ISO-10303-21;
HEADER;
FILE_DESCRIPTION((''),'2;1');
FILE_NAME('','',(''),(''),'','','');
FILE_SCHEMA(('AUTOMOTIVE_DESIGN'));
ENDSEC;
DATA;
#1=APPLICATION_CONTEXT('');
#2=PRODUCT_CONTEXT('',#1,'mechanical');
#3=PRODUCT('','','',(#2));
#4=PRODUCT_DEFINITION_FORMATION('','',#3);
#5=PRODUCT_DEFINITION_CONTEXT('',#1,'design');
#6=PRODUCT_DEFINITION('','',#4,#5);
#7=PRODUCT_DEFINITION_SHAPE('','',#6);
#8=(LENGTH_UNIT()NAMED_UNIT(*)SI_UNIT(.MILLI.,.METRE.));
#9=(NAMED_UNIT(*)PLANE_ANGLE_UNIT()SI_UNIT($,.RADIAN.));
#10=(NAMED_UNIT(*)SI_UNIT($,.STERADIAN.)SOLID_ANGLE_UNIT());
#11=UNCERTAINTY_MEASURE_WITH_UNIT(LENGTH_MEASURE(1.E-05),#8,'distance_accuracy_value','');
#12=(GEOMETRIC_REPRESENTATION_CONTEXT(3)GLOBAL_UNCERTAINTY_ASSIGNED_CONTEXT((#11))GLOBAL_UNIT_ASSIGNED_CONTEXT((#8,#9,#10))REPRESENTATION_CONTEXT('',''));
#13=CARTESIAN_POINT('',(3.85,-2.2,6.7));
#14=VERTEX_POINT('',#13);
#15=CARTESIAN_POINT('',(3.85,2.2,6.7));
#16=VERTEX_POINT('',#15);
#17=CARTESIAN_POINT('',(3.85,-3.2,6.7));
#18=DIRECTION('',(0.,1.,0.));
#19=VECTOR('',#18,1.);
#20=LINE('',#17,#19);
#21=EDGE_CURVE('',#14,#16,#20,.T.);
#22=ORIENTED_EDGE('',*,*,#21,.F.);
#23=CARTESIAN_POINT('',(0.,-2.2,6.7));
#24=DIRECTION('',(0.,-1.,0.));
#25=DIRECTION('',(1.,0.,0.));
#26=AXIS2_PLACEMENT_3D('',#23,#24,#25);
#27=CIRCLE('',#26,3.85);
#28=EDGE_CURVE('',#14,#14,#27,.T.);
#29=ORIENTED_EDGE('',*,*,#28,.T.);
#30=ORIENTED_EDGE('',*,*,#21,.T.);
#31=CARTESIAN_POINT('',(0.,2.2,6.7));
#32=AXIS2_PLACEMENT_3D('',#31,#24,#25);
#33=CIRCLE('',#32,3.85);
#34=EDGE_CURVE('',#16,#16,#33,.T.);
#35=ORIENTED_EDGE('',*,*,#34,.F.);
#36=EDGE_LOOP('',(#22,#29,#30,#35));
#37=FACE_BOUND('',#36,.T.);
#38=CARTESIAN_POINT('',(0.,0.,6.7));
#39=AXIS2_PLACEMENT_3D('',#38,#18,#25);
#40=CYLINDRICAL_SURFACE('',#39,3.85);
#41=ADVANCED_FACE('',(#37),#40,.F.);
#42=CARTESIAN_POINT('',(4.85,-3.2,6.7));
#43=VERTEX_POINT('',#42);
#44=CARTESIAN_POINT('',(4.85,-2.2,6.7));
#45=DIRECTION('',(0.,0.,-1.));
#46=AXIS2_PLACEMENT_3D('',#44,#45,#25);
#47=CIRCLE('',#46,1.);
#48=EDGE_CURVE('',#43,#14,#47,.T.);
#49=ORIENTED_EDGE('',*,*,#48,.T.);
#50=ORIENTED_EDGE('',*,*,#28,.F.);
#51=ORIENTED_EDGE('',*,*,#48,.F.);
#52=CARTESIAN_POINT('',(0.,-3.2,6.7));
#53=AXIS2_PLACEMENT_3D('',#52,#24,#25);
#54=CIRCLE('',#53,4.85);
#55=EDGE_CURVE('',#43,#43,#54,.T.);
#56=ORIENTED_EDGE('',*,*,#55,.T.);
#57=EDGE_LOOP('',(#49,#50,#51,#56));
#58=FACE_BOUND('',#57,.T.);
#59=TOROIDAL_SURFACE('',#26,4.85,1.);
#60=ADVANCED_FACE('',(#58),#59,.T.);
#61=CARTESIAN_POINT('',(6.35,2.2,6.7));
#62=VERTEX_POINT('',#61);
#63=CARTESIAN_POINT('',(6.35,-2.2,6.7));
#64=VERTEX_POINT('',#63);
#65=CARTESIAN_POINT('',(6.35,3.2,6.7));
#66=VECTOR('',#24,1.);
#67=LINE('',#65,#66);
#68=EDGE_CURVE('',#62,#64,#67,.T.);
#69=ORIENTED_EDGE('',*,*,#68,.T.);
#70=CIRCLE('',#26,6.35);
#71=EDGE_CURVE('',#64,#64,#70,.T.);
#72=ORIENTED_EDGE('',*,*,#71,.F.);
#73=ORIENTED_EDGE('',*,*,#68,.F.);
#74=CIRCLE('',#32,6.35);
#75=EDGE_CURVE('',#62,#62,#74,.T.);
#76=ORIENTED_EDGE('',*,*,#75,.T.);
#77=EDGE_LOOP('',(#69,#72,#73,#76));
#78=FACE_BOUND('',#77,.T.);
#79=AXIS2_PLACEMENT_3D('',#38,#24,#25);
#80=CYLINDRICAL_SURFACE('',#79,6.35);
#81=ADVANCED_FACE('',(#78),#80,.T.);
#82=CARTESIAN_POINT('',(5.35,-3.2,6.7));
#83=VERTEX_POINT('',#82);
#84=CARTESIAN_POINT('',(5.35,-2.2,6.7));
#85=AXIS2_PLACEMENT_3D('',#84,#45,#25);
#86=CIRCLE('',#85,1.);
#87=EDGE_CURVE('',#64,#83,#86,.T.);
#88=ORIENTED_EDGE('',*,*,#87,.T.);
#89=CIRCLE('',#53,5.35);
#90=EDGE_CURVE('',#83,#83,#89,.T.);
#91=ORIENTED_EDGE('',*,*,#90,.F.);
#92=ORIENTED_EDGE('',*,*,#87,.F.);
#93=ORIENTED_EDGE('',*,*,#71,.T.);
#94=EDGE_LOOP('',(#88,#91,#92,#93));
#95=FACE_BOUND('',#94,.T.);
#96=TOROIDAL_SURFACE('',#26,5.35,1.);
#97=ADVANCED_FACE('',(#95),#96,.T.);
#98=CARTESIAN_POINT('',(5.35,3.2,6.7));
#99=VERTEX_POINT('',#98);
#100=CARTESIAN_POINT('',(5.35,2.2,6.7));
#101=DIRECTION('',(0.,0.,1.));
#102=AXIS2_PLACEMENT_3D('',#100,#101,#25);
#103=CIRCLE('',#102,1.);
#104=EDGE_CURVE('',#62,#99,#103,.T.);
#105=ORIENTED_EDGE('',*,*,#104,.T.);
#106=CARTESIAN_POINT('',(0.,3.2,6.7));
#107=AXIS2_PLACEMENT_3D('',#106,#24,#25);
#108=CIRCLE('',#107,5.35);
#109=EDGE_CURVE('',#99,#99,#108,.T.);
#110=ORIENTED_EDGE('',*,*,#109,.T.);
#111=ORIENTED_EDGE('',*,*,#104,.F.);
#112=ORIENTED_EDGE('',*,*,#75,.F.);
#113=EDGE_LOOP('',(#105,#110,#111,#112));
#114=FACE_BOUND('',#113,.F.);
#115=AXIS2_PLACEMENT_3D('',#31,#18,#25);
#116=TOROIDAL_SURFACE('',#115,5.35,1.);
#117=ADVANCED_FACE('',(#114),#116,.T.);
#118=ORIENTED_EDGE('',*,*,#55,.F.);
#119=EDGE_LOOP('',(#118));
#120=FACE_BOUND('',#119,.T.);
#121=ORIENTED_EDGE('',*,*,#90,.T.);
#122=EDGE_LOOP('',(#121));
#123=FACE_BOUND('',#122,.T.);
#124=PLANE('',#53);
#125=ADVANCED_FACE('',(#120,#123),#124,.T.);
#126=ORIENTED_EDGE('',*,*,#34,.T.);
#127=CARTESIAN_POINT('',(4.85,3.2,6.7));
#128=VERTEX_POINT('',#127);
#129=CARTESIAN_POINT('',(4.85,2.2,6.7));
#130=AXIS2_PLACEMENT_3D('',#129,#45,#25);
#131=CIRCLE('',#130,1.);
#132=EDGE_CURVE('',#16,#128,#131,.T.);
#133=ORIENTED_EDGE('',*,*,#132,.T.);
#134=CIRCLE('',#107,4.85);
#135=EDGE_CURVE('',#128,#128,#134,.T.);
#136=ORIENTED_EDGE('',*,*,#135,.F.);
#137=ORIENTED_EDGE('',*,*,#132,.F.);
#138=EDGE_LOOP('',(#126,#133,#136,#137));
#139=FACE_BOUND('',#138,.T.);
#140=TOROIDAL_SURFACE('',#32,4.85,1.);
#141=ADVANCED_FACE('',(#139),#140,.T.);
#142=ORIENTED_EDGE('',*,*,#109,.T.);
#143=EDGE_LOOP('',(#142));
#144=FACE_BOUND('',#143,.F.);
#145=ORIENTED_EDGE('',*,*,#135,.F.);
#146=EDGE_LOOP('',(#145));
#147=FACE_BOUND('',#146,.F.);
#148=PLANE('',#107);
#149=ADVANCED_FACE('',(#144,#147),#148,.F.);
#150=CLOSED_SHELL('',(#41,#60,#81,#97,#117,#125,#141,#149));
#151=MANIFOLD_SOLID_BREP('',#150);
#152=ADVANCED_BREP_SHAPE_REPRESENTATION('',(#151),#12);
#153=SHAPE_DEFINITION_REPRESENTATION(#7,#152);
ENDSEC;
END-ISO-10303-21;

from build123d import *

# Parameters (mm, degrees)
F0_R     = 6.35
F0_R_2   = 3.85
F1_DEPTH = 3.2
F2_R     = 1


with BuildPart() as f1:
    # F0 (on Front) → F1 (new body, symmetric)
    with BuildSketch(Plane.XZ):
        with Locations((0, 6.7)):
            Circle(F0_R)
        with Locations((0, 6.7)):
            Circle(F0_R_2, mode=Mode.SUBTRACT)
    extrude(amount=F1_DEPTH, both=True)

    # F2
    f2_edges = [f1.edges().sort_by_distance(p)[0] for p in [
        (-6.35, 3.2, 6.7),
        (6.35, 0, 6.7),
        (-6.35, -3.2, 6.7),
        (-3.85, -3.2, 6.7),
        (3.85, 0, 6.7),
        (-3.85, 3.2, 6.7),
    ]]
    fillet(f2_edges, radius=F2_R)


solid = f1.part
